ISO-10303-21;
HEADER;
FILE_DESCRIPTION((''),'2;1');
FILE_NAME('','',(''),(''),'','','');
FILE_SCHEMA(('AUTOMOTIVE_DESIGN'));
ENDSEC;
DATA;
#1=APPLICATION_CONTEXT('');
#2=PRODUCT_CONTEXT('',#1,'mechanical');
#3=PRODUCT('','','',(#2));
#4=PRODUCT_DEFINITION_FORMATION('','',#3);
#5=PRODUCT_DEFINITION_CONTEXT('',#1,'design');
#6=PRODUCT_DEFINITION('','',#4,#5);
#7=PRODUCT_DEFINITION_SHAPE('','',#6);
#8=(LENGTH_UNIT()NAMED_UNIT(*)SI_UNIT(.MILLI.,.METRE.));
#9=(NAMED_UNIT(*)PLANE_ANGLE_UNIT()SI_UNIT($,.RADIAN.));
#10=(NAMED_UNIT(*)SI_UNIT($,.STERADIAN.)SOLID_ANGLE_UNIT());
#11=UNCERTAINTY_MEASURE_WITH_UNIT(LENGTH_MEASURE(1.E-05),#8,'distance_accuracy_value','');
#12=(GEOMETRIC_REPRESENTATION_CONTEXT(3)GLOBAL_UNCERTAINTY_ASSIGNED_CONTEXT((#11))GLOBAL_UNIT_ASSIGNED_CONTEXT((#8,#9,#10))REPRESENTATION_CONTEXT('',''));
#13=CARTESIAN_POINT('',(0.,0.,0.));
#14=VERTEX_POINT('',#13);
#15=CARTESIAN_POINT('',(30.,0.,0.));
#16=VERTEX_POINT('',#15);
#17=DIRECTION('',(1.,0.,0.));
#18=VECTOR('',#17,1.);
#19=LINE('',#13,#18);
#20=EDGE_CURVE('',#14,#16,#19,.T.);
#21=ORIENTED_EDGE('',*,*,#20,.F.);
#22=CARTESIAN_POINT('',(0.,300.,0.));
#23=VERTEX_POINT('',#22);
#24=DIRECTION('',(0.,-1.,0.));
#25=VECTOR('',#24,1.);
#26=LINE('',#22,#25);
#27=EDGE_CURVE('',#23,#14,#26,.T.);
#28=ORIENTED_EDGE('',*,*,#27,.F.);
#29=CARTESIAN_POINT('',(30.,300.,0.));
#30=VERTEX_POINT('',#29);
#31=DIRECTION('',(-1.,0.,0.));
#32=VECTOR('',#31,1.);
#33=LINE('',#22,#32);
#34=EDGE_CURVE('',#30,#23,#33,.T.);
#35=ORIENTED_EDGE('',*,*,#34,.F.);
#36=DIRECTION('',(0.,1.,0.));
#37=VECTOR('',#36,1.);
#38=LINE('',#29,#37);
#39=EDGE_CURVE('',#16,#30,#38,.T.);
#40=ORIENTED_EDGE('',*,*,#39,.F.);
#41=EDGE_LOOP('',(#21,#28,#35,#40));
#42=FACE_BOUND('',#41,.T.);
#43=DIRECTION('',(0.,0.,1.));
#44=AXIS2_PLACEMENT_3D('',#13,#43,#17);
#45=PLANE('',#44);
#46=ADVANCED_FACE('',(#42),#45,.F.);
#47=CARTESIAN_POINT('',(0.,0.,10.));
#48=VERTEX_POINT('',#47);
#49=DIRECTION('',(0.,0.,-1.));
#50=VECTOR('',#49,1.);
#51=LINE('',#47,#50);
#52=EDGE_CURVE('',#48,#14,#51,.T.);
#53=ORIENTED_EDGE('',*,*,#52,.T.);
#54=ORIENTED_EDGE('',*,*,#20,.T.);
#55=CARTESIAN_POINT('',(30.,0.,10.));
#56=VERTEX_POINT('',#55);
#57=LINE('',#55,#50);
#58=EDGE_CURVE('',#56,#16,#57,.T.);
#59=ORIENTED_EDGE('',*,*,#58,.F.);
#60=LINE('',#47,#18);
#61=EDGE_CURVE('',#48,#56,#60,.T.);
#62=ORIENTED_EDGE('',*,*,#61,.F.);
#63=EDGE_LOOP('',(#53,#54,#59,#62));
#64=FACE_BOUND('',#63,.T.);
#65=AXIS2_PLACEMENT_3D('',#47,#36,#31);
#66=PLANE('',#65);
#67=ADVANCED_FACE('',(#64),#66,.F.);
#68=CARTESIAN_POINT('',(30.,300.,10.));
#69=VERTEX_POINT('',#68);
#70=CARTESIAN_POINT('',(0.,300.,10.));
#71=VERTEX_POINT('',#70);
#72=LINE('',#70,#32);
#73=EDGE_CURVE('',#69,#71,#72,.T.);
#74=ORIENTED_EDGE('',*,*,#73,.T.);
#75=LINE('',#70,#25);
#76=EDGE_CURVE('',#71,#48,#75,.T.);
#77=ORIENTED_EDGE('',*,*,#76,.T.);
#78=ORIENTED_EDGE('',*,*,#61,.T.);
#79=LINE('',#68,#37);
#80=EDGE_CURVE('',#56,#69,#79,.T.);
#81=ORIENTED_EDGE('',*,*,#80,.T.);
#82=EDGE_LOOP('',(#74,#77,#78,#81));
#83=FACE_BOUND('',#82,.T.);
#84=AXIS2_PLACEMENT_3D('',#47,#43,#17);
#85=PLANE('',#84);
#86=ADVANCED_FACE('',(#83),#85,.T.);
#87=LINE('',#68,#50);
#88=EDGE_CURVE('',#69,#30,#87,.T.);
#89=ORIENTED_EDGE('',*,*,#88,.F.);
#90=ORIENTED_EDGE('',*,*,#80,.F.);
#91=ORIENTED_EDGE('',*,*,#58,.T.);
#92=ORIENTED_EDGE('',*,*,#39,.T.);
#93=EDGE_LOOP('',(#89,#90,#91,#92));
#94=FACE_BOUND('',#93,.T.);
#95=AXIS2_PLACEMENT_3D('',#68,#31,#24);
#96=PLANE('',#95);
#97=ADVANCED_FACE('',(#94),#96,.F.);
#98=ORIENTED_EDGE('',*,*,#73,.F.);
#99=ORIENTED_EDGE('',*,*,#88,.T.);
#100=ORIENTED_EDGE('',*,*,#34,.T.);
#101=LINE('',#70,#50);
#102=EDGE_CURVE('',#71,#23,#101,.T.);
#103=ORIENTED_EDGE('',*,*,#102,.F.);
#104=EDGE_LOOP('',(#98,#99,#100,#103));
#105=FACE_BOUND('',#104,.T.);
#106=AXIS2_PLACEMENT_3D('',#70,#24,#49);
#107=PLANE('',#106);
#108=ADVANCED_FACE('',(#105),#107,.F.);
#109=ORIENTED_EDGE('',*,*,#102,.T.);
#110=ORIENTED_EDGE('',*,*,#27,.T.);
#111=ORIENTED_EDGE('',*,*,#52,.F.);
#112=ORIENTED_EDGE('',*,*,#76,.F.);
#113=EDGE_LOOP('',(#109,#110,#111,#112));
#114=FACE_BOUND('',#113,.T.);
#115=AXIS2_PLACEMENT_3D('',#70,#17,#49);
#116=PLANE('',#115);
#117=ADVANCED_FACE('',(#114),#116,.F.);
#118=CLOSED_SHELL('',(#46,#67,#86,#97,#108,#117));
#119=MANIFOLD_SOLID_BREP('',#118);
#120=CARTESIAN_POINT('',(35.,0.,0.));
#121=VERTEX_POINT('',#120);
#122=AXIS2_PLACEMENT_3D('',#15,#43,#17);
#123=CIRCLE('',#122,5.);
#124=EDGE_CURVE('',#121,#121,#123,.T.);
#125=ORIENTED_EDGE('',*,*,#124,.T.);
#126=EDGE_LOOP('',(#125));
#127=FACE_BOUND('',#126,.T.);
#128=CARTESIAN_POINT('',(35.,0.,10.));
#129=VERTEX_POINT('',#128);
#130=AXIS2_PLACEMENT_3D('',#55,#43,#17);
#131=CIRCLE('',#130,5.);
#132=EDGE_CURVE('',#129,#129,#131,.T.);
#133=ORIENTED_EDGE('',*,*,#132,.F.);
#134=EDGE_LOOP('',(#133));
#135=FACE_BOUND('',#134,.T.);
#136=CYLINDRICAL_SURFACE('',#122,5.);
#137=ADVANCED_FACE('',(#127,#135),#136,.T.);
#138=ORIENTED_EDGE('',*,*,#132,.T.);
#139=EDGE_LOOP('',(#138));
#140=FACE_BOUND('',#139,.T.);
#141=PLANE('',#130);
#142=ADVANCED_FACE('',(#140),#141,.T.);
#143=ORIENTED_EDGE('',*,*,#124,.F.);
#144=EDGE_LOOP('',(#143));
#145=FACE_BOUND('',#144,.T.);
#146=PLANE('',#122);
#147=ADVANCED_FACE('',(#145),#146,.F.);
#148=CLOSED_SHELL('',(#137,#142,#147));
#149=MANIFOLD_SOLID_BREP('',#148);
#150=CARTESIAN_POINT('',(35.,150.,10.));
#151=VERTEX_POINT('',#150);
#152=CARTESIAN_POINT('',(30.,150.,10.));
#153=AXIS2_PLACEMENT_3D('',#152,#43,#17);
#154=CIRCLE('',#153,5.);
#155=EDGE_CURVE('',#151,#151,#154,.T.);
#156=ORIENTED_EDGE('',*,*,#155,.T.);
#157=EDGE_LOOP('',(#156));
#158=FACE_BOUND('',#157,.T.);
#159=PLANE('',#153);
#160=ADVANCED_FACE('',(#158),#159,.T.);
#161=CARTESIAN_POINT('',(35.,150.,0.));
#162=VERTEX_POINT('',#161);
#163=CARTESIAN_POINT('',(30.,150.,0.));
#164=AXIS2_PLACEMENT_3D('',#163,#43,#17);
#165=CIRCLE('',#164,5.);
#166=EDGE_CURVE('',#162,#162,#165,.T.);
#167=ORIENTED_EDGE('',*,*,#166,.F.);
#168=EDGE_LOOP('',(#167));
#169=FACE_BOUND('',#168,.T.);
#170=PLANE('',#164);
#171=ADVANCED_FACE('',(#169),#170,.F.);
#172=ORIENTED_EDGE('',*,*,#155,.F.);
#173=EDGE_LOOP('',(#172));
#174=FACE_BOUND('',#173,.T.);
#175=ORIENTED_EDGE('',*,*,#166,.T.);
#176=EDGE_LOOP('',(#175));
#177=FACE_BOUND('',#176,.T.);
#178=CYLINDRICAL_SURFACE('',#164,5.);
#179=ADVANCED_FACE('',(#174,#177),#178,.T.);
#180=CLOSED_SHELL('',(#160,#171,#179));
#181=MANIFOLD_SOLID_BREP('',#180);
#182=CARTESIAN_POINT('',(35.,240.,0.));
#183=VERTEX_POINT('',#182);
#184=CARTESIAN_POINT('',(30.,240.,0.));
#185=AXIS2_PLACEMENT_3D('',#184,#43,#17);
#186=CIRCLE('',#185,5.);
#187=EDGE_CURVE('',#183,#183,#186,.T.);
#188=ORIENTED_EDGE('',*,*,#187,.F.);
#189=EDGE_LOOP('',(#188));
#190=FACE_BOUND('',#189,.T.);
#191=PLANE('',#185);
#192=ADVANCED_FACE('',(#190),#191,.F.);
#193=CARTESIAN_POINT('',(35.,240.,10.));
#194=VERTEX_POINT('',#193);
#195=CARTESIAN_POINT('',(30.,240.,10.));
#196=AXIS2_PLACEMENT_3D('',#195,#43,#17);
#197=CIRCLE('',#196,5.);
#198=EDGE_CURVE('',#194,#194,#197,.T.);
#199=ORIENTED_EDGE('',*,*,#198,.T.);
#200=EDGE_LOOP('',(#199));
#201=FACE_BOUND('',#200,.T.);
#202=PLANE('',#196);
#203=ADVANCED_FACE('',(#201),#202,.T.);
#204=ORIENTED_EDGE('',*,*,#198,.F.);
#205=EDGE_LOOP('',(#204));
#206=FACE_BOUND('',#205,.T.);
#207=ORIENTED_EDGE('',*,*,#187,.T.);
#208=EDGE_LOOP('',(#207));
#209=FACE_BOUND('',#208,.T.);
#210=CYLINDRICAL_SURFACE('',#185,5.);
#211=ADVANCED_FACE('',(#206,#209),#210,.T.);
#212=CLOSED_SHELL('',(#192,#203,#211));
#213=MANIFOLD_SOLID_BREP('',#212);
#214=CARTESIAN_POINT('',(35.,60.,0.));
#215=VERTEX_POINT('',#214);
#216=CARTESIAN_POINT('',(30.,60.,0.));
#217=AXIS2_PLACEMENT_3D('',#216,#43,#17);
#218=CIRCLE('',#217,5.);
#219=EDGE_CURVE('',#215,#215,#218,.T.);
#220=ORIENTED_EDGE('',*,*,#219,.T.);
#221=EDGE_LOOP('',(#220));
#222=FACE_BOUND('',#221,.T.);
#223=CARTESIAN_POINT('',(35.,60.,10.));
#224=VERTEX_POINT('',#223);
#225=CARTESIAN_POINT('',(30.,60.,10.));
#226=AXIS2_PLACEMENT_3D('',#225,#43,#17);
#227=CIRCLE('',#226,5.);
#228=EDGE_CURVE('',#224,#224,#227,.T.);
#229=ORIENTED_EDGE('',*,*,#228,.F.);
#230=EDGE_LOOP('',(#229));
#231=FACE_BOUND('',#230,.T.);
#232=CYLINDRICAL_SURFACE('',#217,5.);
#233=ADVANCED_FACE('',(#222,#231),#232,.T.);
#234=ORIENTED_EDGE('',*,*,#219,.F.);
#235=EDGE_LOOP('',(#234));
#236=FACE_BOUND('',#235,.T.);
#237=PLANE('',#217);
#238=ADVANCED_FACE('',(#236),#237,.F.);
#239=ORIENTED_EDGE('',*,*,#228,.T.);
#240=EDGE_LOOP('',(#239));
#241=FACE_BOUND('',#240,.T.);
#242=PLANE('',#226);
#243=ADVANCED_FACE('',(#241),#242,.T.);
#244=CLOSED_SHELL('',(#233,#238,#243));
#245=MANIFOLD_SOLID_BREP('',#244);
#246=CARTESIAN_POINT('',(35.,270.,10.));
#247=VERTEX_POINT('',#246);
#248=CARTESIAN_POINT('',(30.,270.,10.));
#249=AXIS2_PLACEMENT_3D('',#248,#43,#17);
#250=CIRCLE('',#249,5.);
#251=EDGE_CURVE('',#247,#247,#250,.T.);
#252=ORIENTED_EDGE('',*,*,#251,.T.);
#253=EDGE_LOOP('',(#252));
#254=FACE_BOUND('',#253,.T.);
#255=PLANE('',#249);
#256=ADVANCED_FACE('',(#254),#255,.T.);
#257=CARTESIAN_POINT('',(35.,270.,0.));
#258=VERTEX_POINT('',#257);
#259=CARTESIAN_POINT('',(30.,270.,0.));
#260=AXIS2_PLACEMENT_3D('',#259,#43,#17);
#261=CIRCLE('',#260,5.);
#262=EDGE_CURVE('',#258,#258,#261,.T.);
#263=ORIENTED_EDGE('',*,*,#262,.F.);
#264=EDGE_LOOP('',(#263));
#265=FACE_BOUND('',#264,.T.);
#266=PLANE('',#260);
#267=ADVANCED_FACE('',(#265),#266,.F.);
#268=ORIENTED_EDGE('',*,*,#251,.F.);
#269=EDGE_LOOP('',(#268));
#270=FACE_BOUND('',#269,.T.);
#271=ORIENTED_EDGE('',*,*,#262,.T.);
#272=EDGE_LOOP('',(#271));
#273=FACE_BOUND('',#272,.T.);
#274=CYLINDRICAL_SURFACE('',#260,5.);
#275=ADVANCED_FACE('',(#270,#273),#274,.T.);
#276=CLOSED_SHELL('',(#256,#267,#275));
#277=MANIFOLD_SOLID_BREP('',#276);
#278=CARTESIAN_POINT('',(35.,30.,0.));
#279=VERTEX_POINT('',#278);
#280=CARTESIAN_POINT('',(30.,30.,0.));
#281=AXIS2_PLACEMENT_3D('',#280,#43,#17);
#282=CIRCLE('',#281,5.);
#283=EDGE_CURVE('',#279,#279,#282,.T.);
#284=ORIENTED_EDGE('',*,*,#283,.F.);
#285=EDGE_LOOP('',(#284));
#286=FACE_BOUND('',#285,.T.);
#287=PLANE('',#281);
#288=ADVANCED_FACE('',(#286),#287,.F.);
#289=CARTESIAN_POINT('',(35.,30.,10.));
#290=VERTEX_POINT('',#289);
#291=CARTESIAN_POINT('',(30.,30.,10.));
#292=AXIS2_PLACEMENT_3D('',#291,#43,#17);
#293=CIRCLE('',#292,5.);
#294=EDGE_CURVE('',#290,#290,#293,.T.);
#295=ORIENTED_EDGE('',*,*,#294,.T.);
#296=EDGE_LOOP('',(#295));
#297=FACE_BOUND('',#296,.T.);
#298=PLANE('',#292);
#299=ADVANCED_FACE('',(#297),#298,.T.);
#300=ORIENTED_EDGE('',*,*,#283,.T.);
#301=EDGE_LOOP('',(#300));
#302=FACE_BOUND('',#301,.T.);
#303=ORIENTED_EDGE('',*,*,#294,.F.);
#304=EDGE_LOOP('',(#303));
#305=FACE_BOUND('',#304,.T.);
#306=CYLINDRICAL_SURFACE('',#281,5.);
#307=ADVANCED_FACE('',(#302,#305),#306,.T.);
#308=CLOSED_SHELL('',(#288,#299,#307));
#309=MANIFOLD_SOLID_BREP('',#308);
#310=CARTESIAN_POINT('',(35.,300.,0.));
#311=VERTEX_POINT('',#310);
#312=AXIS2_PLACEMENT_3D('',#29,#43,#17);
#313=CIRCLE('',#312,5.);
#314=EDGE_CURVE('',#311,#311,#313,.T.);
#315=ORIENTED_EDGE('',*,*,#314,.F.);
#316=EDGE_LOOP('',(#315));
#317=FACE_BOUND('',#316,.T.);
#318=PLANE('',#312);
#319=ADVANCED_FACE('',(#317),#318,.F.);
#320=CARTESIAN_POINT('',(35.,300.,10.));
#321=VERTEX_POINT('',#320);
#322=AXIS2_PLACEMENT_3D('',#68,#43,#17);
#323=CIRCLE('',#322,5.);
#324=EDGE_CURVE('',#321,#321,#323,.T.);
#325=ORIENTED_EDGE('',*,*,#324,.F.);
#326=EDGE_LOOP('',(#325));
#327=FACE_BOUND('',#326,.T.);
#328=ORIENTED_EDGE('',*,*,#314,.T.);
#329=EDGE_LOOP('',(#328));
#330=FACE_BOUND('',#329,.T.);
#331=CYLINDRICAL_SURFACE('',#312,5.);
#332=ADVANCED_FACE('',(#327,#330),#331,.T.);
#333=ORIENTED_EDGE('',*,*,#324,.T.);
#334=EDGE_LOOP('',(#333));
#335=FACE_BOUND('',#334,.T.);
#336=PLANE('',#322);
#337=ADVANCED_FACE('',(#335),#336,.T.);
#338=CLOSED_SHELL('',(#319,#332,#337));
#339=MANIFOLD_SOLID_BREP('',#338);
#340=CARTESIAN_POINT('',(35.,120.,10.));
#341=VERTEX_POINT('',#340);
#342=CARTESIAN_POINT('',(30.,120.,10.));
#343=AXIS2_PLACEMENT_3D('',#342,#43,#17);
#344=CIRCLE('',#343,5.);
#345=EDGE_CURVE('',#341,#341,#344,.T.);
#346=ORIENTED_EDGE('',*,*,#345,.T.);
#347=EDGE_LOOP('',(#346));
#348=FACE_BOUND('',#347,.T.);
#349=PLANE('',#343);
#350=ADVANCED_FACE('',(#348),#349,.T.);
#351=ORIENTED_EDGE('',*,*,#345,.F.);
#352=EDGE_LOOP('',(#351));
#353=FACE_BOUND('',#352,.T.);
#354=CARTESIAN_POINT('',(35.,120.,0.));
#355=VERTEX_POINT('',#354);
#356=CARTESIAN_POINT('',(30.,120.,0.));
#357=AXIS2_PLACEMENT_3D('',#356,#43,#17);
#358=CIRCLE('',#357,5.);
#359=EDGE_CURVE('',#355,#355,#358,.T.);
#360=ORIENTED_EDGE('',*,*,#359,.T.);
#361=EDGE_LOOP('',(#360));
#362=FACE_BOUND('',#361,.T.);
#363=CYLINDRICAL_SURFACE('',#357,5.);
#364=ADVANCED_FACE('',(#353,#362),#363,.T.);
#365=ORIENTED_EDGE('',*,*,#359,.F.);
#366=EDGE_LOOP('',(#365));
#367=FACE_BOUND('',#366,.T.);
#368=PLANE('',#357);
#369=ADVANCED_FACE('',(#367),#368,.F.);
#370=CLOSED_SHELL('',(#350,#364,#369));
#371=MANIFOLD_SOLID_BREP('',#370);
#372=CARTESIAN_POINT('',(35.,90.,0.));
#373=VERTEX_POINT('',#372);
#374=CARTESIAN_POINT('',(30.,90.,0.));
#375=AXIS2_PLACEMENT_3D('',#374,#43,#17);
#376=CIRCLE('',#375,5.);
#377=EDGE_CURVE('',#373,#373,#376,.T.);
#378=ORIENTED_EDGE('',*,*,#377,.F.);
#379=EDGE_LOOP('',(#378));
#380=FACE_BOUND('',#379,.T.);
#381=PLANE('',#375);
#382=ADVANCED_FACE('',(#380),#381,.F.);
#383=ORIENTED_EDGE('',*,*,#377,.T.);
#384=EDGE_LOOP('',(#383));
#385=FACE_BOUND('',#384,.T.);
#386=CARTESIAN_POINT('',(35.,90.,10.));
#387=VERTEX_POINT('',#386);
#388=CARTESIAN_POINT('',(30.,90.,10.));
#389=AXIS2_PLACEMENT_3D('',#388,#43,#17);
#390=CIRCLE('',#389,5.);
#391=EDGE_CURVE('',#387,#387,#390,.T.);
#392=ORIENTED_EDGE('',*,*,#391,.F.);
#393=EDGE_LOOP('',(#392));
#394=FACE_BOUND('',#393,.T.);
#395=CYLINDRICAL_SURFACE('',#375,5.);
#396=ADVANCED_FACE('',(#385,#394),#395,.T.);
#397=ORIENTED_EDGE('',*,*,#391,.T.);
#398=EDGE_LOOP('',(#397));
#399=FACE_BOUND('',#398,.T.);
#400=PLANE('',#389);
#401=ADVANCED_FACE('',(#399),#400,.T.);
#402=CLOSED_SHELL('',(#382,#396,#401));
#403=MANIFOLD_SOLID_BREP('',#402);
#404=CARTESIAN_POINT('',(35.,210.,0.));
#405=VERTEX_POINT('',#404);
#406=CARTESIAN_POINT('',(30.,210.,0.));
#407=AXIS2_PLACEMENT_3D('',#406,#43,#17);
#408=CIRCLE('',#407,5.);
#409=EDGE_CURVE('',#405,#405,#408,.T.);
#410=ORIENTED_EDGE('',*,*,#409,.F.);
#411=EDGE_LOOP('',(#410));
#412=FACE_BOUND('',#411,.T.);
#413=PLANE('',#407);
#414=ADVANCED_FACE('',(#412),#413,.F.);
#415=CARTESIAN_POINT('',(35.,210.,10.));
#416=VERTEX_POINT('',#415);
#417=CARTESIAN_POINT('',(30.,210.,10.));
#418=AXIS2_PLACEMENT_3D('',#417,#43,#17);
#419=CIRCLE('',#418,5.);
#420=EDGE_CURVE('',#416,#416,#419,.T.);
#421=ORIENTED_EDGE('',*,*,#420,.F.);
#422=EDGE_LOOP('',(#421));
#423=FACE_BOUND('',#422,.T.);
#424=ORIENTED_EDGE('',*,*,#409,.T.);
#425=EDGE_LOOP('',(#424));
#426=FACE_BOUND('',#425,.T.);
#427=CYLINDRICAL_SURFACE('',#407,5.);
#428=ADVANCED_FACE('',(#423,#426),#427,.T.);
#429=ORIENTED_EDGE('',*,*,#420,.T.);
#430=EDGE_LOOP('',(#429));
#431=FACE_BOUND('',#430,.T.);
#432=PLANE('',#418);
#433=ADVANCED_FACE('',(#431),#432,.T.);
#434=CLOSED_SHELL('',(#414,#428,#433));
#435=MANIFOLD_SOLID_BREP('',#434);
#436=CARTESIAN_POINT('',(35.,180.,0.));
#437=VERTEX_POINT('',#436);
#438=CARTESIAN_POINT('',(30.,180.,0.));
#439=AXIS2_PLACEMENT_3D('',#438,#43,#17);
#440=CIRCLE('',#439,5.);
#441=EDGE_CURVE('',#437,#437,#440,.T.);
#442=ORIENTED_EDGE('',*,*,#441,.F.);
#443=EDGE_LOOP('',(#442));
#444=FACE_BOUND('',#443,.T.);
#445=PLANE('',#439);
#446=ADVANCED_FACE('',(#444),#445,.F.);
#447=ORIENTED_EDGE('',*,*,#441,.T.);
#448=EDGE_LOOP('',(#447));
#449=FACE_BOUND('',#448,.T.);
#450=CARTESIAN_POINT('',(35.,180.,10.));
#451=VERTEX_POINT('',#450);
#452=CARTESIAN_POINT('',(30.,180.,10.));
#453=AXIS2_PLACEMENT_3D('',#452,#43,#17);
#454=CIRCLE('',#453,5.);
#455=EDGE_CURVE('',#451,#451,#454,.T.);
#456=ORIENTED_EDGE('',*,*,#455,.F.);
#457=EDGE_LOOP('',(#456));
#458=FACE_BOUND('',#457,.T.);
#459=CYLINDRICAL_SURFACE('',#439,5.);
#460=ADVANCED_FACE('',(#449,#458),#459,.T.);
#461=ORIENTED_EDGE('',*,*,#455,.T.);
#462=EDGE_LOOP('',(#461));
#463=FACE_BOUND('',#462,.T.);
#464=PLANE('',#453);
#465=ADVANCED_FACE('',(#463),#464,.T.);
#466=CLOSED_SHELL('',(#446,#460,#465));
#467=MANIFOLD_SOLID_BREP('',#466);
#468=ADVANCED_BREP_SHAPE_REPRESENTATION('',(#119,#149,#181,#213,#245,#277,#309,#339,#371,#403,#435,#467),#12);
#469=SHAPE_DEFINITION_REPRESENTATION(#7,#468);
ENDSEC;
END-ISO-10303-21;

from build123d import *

# Parameters (mm, degrees)
SKETCH2_W              = 30
SKETCH2_H              = 300
BOSS_EXTRUDE1_DEPTH    = 10
SKETCH3_R              = 5
BOSS_EXTRUDE2_DEPTH    = 10
BOSS_EXTRUDE2_2_DEPTH  = 10
BOSS_EXTRUDE2_3_DEPTH  = 10
BOSS_EXTRUDE2_4_DEPTH  = 10
BOSS_EXTRUDE2_5_DEPTH  = 10
BOSS_EXTRUDE2_6_DEPTH  = 10
BOSS_EXTRUDE2_7_DEPTH  = 10
BOSS_EXTRUDE2_8_DEPTH  = 10
BOSS_EXTRUDE2_9_DEPTH  = 10
BOSS_EXTRUDE2_10_DEPTH = 10
BOSS_EXTRUDE2_11_DEPTH = 10


with BuildPart() as part:
    # Sketch2 → Boss-Extrude1 (new body)
    with BuildSketch(Plane.XY):
        with Locations((15, 150)):
            Rectangle(SKETCH2_W, SKETCH2_H)
    extrude(amount=BOSS_EXTRUDE1_DEPTH)


with BuildPart() as body_2:
    # Sketch3 → Boss-Extrude2 (new body)
    with BuildSketch(Plane.XY.offset(10)):
        with Locations((30, 300)):
            Circle(SKETCH3_R)
    extrude(amount=-BOSS_EXTRUDE2_DEPTH)


with BuildPart() as body_3:
    # Sketch3 → Boss-Extrude2 2 (new body)
    with BuildSketch(Plane.XY.offset(10)):
        with Locations((30, 270)):
            Circle(SKETCH3_R)
    extrude(amount=-BOSS_EXTRUDE2_2_DEPTH)


with BuildPart() as body_4:
    # Sketch3 → Boss-Extrude2 3 (new body)
    with BuildSketch(Plane.XY.offset(10)):
        with Locations((30, 240)):
            Circle(SKETCH3_R)
    extrude(amount=-BOSS_EXTRUDE2_3_DEPTH)


with BuildPart() as body_5:
    # Sketch3 → Boss-Extrude2 4 (new body)
    with BuildSketch(Plane.XY.offset(10)):
        with Locations((30, 210)):
            Circle(SKETCH3_R)
    extrude(amount=-BOSS_EXTRUDE2_4_DEPTH)


with BuildPart() as body_6:
    # Sketch3 → Boss-Extrude2 5 (new body)
    with BuildSketch(Plane.XY.offset(10)):
        with Locations((30, 180)):
            Circle(SKETCH3_R)
    extrude(amount=-BOSS_EXTRUDE2_5_DEPTH)


with BuildPart() as body_7:
    # Sketch3 → Boss-Extrude2 6 (new body)
    with BuildSketch(Plane.XY.offset(10)):
        with Locations((30, 150)):
            Circle(SKETCH3_R)
    extrude(amount=-BOSS_EXTRUDE2_6_DEPTH)


with BuildPart() as body_8:
    # Sketch3 → Boss-Extrude2 7 (new body)
    with BuildSketch(Plane.XY.offset(10)):
        with Locations((30, 120)):
            Circle(SKETCH3_R)
    extrude(amount=-BOSS_EXTRUDE2_7_DEPTH)


with BuildPart() as body_9:
    # Sketch3 → Boss-Extrude2 8 (new body)
    with BuildSketch(Plane.XY.offset(10)):
        with Locations((30, 90)):
            Circle(SKETCH3_R)
    extrude(amount=-BOSS_EXTRUDE2_8_DEPTH)


with BuildPart() as body_10:
    # Sketch3 → Boss-Extrude2 9 (new body)
    with BuildSketch(Plane.XY.offset(10)):
        with Locations((30, 60)):
            Circle(SKETCH3_R)
    extrude(amount=-BOSS_EXTRUDE2_9_DEPTH)


with BuildPart() as body_11:
    # Sketch3 → Boss-Extrude2 10 (new body)
    with BuildSketch(Plane.XY.offset(10)):
        with Locations((30, 30)):
            Circle(SKETCH3_R)
    extrude(amount=-BOSS_EXTRUDE2_10_DEPTH)


with BuildPart() as body_12:
    # Sketch3 → Boss-Extrude2 11 (new body)
    with BuildSketch(Plane.XY.offset(10)):
        with Locations((30, 0)):
            Circle(SKETCH3_R)
    extrude(amount=-BOSS_EXTRUDE2_11_DEPTH)


solid = Compound([part.part, body_2.part, body_3.part, body_4.part, body_5.part, body_6.part, body_7.part, body_8.part, body_9.part, body_10.part, body_11.part, body_12.part])
